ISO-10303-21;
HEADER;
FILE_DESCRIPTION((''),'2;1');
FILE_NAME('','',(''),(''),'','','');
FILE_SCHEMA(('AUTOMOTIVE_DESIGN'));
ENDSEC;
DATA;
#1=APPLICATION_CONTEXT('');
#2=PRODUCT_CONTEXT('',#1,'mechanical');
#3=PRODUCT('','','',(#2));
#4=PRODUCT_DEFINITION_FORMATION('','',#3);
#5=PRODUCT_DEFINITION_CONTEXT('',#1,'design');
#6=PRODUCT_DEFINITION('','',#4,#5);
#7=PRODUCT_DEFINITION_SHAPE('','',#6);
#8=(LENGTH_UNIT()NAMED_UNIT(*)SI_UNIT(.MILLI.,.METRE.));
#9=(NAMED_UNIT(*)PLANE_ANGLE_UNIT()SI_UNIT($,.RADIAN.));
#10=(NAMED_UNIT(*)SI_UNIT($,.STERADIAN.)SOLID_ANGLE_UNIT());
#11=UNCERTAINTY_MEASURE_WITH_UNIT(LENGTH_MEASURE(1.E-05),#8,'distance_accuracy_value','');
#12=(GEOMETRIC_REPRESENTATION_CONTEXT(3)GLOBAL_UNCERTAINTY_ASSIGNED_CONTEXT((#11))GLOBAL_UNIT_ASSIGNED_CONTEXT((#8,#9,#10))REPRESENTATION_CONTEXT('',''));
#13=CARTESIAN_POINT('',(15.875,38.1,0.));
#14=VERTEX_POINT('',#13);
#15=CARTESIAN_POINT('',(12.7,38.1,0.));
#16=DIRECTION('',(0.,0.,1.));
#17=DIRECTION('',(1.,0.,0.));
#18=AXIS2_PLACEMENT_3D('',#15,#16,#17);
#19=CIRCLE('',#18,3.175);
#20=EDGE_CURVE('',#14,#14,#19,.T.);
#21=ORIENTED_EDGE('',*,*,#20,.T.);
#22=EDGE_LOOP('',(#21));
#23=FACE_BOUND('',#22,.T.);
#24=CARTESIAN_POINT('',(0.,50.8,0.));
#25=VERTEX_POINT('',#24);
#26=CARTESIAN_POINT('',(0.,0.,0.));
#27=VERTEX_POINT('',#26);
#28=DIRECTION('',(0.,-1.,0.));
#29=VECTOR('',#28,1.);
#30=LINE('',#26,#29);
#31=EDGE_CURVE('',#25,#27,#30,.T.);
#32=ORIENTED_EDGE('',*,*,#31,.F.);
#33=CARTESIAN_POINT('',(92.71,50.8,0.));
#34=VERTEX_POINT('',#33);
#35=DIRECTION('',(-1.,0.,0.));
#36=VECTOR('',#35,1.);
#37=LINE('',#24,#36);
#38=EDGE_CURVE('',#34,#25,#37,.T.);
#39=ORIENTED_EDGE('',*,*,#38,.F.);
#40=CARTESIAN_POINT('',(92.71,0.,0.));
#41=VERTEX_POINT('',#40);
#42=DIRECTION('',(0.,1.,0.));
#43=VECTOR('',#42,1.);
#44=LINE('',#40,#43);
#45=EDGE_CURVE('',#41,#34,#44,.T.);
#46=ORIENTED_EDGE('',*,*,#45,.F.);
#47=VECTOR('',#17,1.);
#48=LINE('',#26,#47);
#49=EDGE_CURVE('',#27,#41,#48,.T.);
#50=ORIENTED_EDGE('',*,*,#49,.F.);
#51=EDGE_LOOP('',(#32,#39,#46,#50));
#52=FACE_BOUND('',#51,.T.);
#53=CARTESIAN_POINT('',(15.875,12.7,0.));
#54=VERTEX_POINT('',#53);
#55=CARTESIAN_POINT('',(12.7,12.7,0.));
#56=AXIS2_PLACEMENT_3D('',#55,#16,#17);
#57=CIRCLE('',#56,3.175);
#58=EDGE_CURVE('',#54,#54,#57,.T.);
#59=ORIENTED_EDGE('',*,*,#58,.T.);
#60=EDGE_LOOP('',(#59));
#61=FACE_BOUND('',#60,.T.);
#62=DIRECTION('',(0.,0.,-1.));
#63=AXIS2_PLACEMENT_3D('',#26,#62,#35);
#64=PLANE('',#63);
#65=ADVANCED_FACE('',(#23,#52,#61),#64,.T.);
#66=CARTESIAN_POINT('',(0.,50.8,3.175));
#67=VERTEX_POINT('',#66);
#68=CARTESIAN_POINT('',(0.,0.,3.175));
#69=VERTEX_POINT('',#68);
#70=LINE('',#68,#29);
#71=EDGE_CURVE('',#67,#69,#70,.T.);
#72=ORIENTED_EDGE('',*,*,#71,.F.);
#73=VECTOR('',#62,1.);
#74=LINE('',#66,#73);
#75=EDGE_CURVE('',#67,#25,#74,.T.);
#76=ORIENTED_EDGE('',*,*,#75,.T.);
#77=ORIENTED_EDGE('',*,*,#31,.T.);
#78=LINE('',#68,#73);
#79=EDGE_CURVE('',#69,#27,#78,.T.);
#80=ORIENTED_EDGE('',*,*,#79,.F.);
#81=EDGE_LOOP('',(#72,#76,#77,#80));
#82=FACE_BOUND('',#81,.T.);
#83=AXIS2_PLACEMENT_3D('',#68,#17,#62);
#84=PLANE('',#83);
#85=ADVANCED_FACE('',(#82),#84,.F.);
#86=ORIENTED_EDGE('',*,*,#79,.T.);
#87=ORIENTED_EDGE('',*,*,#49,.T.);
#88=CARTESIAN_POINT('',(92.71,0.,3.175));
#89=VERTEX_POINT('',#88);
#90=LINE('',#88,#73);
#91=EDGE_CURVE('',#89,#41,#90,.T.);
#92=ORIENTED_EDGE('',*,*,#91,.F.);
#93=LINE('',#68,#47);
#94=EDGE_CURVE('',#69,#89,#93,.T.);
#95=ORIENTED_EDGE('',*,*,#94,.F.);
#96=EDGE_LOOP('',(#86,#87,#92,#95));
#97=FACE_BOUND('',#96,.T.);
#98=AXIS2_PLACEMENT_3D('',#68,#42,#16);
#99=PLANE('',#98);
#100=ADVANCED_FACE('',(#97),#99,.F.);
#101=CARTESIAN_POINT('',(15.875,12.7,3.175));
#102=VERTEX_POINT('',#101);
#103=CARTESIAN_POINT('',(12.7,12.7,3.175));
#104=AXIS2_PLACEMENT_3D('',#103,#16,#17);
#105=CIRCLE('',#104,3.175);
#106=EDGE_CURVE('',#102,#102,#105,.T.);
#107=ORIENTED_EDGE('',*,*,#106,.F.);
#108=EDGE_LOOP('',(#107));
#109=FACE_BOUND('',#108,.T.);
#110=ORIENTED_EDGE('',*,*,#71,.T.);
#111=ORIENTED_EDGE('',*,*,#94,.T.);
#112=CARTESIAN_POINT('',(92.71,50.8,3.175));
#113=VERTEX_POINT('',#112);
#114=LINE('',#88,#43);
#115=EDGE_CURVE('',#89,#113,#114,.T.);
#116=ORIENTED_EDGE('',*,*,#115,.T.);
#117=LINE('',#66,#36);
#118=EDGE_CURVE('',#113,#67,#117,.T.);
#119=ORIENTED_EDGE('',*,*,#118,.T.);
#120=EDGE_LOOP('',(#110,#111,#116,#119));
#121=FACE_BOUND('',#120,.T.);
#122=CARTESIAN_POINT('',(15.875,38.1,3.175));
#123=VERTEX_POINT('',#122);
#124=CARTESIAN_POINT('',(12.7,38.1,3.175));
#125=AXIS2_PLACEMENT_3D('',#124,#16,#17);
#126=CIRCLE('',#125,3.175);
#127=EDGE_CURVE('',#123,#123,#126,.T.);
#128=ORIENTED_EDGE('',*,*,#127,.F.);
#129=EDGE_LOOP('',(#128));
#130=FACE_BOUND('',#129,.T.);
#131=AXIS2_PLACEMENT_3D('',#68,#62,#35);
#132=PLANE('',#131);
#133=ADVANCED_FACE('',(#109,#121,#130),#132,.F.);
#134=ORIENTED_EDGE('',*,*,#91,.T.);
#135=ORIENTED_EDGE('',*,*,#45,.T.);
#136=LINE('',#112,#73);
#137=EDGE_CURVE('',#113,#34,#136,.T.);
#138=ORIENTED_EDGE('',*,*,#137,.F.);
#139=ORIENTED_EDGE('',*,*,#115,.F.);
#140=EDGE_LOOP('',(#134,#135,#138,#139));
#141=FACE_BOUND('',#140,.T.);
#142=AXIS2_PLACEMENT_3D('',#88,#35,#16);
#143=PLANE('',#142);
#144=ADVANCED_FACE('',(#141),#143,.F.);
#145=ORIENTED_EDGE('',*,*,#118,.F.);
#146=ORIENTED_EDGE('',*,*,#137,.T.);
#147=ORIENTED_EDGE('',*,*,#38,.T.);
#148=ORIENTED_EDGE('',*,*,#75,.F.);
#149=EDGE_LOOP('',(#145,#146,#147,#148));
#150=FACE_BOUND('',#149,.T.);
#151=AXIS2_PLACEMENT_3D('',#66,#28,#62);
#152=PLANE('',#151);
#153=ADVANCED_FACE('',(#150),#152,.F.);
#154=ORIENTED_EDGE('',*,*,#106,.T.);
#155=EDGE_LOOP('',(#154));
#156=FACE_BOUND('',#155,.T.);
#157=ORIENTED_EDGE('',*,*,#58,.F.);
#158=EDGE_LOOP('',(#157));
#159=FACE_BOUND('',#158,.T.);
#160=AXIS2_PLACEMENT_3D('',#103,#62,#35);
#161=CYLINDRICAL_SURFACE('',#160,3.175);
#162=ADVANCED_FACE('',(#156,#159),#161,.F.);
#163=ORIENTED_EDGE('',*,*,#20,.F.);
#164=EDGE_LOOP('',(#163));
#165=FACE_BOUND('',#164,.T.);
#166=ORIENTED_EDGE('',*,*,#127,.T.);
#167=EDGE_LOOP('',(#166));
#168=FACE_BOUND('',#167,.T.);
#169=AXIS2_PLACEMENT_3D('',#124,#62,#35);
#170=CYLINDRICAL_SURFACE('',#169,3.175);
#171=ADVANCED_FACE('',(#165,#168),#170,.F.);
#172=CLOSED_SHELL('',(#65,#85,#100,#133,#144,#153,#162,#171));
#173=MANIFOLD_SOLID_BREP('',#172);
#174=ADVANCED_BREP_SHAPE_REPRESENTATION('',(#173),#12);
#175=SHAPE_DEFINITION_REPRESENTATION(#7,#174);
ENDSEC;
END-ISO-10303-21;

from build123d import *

# Parameters (mm, degrees)
SKETCH1_W           = 92.71
SKETCH1_H           = 50.8
SKETCH1_R           = 3.175
BOSS_EXTRUDE1_DEPTH = 3.175


with BuildPart() as part:
    # Sketch1 → Boss-Extrude1 (new body)
    with BuildSketch(Plane.XY):
        with Locations((46.355, 25.4)):
            Rectangle(SKETCH1_W, SKETCH1_H)
        with Locations((12.7, 38.1)):
            Circle(SKETCH1_R, mode=Mode.SUBTRACT)
        with Locations((12.7, 12.7)):
            Circle(SKETCH1_R, mode=Mode.SUBTRACT)
    extrude(amount=BOSS_EXTRUDE1_DEPTH)


solid = part.part
